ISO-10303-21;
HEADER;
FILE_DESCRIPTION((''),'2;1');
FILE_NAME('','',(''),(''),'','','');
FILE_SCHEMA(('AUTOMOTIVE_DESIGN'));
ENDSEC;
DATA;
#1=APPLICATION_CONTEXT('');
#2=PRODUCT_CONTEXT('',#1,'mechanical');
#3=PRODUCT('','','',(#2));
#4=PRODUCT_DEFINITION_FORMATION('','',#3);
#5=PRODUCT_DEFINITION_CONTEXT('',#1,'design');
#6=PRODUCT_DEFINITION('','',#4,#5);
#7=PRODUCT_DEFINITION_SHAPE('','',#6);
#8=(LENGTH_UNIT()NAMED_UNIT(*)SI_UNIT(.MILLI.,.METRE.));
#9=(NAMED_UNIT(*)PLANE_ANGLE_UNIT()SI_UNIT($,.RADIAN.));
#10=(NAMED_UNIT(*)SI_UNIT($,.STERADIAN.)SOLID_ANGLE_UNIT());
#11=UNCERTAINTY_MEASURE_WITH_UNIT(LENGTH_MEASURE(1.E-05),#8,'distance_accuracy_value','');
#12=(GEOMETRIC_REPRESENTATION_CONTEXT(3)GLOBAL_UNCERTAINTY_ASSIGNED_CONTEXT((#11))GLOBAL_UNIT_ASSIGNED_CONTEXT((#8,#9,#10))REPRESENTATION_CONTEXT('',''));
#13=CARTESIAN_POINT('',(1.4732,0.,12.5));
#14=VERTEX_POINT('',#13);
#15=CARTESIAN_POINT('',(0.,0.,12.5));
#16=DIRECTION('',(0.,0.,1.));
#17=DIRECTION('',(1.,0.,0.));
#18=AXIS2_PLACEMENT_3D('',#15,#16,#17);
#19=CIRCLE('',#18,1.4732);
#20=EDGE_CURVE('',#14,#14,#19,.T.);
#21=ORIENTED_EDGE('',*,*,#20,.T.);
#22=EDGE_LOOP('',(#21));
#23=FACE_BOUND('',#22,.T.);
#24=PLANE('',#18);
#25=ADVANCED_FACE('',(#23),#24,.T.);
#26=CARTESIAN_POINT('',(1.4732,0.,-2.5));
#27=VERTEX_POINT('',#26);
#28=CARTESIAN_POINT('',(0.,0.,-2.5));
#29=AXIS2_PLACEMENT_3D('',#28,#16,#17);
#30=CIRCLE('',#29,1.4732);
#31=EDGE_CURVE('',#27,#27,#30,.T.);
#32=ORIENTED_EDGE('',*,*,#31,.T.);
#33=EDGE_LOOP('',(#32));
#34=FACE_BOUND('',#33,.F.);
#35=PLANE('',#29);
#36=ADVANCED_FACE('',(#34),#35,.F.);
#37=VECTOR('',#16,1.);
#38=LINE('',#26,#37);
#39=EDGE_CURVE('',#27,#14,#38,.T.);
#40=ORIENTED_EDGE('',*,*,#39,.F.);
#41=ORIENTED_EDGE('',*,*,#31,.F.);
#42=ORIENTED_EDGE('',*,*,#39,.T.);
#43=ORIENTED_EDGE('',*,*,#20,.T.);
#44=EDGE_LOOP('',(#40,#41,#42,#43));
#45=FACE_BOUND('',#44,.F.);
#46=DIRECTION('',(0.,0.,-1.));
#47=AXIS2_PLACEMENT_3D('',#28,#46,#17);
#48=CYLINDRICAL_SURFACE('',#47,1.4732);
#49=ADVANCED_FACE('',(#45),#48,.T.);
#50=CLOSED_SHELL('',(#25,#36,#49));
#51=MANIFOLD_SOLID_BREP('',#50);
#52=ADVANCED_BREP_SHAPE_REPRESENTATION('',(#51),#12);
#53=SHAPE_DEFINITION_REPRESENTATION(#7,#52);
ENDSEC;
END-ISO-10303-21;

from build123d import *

# Parameters (mm, degrees)
CYLINDER_R     = 1.4732
CYLINDER_DEPTH = 15


with BuildPart() as part:
    # Cylinder → Cylinder (new body)
    with BuildSketch(Plane.XY.offset(-2.5)):
        Circle(CYLINDER_R)
    extrude(amount=CYLINDER_DEPTH)


solid = part.part
